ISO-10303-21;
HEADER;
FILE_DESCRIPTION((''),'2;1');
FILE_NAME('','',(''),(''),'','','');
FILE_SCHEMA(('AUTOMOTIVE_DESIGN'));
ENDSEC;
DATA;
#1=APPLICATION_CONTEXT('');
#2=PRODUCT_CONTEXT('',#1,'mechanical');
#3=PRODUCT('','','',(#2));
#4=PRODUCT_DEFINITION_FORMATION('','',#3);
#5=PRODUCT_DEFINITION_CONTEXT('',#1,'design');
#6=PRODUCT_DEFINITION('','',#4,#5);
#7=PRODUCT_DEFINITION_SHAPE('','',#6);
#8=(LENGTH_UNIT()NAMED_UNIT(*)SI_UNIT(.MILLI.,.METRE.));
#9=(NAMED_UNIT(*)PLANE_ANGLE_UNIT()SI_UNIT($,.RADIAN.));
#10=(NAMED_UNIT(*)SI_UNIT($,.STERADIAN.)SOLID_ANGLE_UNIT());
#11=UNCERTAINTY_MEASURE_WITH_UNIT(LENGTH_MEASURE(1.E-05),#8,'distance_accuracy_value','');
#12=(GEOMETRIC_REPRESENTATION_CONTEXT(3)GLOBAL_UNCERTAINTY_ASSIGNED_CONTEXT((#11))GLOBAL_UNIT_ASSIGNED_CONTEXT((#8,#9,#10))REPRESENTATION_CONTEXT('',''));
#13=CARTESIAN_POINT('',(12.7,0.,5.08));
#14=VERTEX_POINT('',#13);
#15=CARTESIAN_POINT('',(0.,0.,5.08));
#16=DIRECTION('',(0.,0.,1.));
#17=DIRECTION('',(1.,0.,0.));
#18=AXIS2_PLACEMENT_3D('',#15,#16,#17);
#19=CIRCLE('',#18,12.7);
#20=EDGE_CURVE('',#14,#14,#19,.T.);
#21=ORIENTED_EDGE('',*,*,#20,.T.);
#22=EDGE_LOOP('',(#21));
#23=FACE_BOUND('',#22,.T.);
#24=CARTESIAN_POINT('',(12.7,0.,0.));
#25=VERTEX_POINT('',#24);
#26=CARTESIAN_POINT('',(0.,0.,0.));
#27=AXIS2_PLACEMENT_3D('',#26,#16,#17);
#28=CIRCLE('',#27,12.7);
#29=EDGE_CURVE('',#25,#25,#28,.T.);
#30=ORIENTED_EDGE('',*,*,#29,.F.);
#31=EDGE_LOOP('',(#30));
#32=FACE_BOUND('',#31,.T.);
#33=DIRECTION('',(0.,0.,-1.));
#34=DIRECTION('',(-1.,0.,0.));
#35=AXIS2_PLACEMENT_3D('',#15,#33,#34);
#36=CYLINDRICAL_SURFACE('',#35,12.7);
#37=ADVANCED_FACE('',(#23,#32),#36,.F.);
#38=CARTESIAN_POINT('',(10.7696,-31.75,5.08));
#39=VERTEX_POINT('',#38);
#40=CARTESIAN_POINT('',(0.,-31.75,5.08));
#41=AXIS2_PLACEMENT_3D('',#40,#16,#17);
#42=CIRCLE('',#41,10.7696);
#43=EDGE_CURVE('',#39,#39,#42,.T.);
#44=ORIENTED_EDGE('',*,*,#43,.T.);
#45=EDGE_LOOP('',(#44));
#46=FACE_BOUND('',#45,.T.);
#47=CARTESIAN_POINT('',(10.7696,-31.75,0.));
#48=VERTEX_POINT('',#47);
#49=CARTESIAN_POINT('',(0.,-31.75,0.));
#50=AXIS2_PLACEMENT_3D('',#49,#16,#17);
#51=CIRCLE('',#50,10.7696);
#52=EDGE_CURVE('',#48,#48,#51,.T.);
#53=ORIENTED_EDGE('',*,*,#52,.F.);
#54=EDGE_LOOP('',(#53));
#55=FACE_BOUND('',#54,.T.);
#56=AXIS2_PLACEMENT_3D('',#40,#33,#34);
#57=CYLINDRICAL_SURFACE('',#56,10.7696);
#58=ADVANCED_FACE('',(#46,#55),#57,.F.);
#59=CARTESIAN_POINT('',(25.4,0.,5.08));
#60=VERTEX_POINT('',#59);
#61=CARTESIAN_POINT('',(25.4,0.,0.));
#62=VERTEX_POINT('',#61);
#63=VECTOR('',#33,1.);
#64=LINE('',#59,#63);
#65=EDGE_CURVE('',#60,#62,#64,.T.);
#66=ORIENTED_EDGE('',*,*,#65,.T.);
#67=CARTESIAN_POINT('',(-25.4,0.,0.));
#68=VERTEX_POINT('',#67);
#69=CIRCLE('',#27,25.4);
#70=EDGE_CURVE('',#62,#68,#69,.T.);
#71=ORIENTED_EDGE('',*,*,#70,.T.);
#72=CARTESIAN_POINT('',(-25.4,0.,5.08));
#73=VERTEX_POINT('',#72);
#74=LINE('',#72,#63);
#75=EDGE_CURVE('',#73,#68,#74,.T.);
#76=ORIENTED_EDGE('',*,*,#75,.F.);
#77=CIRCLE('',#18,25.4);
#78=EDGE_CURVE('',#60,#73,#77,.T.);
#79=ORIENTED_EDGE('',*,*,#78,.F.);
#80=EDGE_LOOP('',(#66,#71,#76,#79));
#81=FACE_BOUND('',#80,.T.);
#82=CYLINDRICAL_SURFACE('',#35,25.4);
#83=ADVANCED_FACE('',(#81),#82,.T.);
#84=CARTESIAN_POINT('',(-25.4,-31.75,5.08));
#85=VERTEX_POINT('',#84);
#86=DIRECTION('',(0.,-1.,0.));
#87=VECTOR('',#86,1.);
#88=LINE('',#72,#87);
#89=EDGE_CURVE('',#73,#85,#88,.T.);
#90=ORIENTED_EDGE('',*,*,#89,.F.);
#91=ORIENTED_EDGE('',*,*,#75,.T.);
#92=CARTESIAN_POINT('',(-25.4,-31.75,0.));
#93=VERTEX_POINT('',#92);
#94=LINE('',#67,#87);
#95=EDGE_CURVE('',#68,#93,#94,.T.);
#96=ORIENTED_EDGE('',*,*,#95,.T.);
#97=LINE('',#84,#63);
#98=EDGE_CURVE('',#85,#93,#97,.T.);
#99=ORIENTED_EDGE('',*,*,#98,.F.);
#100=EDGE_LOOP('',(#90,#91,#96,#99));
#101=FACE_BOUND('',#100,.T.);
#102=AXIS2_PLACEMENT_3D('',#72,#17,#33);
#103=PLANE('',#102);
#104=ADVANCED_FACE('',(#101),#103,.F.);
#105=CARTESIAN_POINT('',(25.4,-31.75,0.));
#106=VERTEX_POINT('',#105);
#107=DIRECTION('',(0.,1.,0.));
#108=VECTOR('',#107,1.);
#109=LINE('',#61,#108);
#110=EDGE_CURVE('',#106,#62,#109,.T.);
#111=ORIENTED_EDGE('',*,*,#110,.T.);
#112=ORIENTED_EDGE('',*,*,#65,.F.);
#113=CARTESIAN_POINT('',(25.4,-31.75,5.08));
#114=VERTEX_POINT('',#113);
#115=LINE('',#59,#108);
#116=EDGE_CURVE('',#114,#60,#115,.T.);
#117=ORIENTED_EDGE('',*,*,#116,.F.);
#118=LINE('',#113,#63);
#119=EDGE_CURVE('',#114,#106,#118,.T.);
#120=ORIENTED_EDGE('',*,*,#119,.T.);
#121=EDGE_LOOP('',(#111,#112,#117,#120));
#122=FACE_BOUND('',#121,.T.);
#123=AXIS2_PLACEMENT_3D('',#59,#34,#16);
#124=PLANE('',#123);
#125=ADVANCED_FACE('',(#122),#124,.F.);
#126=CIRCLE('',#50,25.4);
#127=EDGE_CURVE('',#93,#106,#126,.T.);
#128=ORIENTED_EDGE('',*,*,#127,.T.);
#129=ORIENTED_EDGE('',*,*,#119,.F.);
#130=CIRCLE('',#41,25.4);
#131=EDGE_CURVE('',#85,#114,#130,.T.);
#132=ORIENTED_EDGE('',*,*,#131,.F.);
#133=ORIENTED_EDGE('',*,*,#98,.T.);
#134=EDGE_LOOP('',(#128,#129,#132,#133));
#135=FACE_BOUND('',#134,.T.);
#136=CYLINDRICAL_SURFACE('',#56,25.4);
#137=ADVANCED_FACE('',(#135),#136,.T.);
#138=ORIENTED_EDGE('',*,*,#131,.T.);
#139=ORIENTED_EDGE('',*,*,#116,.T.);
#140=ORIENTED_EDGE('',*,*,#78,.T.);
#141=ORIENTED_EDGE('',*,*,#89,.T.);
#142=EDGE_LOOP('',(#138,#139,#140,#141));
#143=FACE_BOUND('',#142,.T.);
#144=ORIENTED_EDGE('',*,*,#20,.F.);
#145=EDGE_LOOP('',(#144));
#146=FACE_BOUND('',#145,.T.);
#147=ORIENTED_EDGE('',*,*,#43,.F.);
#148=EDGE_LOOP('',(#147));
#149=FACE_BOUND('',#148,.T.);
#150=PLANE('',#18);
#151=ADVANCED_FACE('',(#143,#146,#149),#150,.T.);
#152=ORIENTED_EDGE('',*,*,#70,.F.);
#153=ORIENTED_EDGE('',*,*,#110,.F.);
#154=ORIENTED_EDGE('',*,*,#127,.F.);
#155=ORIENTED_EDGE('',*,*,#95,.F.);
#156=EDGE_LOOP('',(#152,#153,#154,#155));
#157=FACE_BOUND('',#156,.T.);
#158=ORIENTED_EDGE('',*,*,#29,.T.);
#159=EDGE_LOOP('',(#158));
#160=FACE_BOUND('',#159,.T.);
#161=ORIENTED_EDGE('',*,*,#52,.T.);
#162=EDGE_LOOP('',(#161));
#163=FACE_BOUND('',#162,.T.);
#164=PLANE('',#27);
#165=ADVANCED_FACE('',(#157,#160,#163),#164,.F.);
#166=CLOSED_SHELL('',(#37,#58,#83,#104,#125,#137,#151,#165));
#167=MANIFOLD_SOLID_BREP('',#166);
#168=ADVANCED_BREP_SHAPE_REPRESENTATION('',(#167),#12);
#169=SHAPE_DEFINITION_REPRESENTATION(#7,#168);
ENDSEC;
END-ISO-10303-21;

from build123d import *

# Parameters (mm, degrees)
SKETCH1_R           = 12.7
SKETCH1_R_2         = 10.7696
BOSS_EXTRUDE1_DEPTH = 5.08


with BuildPart() as part:
    # Sketch1 → Boss-Extrude1 (new body)
    with BuildSketch(Plane.XY):
        with BuildLine():
            Line((-25.4, 0), (-25.4, -31.75))
            ThreePointArc((-25.4, -31.75), (0, -57.15), (25.4, -31.75))
            Line((25.4, -31.75), (25.4, 0))
            ThreePointArc((25.4, 0), (0, 25.4), (-25.4, 0))
        make_face()
        Circle(SKETCH1_R, mode=Mode.SUBTRACT)
        with Locations((0, -31.75)):
            Circle(SKETCH1_R_2, mode=Mode.SUBTRACT)
    extrude(amount=BOSS_EXTRUDE1_DEPTH)


solid = part.part
